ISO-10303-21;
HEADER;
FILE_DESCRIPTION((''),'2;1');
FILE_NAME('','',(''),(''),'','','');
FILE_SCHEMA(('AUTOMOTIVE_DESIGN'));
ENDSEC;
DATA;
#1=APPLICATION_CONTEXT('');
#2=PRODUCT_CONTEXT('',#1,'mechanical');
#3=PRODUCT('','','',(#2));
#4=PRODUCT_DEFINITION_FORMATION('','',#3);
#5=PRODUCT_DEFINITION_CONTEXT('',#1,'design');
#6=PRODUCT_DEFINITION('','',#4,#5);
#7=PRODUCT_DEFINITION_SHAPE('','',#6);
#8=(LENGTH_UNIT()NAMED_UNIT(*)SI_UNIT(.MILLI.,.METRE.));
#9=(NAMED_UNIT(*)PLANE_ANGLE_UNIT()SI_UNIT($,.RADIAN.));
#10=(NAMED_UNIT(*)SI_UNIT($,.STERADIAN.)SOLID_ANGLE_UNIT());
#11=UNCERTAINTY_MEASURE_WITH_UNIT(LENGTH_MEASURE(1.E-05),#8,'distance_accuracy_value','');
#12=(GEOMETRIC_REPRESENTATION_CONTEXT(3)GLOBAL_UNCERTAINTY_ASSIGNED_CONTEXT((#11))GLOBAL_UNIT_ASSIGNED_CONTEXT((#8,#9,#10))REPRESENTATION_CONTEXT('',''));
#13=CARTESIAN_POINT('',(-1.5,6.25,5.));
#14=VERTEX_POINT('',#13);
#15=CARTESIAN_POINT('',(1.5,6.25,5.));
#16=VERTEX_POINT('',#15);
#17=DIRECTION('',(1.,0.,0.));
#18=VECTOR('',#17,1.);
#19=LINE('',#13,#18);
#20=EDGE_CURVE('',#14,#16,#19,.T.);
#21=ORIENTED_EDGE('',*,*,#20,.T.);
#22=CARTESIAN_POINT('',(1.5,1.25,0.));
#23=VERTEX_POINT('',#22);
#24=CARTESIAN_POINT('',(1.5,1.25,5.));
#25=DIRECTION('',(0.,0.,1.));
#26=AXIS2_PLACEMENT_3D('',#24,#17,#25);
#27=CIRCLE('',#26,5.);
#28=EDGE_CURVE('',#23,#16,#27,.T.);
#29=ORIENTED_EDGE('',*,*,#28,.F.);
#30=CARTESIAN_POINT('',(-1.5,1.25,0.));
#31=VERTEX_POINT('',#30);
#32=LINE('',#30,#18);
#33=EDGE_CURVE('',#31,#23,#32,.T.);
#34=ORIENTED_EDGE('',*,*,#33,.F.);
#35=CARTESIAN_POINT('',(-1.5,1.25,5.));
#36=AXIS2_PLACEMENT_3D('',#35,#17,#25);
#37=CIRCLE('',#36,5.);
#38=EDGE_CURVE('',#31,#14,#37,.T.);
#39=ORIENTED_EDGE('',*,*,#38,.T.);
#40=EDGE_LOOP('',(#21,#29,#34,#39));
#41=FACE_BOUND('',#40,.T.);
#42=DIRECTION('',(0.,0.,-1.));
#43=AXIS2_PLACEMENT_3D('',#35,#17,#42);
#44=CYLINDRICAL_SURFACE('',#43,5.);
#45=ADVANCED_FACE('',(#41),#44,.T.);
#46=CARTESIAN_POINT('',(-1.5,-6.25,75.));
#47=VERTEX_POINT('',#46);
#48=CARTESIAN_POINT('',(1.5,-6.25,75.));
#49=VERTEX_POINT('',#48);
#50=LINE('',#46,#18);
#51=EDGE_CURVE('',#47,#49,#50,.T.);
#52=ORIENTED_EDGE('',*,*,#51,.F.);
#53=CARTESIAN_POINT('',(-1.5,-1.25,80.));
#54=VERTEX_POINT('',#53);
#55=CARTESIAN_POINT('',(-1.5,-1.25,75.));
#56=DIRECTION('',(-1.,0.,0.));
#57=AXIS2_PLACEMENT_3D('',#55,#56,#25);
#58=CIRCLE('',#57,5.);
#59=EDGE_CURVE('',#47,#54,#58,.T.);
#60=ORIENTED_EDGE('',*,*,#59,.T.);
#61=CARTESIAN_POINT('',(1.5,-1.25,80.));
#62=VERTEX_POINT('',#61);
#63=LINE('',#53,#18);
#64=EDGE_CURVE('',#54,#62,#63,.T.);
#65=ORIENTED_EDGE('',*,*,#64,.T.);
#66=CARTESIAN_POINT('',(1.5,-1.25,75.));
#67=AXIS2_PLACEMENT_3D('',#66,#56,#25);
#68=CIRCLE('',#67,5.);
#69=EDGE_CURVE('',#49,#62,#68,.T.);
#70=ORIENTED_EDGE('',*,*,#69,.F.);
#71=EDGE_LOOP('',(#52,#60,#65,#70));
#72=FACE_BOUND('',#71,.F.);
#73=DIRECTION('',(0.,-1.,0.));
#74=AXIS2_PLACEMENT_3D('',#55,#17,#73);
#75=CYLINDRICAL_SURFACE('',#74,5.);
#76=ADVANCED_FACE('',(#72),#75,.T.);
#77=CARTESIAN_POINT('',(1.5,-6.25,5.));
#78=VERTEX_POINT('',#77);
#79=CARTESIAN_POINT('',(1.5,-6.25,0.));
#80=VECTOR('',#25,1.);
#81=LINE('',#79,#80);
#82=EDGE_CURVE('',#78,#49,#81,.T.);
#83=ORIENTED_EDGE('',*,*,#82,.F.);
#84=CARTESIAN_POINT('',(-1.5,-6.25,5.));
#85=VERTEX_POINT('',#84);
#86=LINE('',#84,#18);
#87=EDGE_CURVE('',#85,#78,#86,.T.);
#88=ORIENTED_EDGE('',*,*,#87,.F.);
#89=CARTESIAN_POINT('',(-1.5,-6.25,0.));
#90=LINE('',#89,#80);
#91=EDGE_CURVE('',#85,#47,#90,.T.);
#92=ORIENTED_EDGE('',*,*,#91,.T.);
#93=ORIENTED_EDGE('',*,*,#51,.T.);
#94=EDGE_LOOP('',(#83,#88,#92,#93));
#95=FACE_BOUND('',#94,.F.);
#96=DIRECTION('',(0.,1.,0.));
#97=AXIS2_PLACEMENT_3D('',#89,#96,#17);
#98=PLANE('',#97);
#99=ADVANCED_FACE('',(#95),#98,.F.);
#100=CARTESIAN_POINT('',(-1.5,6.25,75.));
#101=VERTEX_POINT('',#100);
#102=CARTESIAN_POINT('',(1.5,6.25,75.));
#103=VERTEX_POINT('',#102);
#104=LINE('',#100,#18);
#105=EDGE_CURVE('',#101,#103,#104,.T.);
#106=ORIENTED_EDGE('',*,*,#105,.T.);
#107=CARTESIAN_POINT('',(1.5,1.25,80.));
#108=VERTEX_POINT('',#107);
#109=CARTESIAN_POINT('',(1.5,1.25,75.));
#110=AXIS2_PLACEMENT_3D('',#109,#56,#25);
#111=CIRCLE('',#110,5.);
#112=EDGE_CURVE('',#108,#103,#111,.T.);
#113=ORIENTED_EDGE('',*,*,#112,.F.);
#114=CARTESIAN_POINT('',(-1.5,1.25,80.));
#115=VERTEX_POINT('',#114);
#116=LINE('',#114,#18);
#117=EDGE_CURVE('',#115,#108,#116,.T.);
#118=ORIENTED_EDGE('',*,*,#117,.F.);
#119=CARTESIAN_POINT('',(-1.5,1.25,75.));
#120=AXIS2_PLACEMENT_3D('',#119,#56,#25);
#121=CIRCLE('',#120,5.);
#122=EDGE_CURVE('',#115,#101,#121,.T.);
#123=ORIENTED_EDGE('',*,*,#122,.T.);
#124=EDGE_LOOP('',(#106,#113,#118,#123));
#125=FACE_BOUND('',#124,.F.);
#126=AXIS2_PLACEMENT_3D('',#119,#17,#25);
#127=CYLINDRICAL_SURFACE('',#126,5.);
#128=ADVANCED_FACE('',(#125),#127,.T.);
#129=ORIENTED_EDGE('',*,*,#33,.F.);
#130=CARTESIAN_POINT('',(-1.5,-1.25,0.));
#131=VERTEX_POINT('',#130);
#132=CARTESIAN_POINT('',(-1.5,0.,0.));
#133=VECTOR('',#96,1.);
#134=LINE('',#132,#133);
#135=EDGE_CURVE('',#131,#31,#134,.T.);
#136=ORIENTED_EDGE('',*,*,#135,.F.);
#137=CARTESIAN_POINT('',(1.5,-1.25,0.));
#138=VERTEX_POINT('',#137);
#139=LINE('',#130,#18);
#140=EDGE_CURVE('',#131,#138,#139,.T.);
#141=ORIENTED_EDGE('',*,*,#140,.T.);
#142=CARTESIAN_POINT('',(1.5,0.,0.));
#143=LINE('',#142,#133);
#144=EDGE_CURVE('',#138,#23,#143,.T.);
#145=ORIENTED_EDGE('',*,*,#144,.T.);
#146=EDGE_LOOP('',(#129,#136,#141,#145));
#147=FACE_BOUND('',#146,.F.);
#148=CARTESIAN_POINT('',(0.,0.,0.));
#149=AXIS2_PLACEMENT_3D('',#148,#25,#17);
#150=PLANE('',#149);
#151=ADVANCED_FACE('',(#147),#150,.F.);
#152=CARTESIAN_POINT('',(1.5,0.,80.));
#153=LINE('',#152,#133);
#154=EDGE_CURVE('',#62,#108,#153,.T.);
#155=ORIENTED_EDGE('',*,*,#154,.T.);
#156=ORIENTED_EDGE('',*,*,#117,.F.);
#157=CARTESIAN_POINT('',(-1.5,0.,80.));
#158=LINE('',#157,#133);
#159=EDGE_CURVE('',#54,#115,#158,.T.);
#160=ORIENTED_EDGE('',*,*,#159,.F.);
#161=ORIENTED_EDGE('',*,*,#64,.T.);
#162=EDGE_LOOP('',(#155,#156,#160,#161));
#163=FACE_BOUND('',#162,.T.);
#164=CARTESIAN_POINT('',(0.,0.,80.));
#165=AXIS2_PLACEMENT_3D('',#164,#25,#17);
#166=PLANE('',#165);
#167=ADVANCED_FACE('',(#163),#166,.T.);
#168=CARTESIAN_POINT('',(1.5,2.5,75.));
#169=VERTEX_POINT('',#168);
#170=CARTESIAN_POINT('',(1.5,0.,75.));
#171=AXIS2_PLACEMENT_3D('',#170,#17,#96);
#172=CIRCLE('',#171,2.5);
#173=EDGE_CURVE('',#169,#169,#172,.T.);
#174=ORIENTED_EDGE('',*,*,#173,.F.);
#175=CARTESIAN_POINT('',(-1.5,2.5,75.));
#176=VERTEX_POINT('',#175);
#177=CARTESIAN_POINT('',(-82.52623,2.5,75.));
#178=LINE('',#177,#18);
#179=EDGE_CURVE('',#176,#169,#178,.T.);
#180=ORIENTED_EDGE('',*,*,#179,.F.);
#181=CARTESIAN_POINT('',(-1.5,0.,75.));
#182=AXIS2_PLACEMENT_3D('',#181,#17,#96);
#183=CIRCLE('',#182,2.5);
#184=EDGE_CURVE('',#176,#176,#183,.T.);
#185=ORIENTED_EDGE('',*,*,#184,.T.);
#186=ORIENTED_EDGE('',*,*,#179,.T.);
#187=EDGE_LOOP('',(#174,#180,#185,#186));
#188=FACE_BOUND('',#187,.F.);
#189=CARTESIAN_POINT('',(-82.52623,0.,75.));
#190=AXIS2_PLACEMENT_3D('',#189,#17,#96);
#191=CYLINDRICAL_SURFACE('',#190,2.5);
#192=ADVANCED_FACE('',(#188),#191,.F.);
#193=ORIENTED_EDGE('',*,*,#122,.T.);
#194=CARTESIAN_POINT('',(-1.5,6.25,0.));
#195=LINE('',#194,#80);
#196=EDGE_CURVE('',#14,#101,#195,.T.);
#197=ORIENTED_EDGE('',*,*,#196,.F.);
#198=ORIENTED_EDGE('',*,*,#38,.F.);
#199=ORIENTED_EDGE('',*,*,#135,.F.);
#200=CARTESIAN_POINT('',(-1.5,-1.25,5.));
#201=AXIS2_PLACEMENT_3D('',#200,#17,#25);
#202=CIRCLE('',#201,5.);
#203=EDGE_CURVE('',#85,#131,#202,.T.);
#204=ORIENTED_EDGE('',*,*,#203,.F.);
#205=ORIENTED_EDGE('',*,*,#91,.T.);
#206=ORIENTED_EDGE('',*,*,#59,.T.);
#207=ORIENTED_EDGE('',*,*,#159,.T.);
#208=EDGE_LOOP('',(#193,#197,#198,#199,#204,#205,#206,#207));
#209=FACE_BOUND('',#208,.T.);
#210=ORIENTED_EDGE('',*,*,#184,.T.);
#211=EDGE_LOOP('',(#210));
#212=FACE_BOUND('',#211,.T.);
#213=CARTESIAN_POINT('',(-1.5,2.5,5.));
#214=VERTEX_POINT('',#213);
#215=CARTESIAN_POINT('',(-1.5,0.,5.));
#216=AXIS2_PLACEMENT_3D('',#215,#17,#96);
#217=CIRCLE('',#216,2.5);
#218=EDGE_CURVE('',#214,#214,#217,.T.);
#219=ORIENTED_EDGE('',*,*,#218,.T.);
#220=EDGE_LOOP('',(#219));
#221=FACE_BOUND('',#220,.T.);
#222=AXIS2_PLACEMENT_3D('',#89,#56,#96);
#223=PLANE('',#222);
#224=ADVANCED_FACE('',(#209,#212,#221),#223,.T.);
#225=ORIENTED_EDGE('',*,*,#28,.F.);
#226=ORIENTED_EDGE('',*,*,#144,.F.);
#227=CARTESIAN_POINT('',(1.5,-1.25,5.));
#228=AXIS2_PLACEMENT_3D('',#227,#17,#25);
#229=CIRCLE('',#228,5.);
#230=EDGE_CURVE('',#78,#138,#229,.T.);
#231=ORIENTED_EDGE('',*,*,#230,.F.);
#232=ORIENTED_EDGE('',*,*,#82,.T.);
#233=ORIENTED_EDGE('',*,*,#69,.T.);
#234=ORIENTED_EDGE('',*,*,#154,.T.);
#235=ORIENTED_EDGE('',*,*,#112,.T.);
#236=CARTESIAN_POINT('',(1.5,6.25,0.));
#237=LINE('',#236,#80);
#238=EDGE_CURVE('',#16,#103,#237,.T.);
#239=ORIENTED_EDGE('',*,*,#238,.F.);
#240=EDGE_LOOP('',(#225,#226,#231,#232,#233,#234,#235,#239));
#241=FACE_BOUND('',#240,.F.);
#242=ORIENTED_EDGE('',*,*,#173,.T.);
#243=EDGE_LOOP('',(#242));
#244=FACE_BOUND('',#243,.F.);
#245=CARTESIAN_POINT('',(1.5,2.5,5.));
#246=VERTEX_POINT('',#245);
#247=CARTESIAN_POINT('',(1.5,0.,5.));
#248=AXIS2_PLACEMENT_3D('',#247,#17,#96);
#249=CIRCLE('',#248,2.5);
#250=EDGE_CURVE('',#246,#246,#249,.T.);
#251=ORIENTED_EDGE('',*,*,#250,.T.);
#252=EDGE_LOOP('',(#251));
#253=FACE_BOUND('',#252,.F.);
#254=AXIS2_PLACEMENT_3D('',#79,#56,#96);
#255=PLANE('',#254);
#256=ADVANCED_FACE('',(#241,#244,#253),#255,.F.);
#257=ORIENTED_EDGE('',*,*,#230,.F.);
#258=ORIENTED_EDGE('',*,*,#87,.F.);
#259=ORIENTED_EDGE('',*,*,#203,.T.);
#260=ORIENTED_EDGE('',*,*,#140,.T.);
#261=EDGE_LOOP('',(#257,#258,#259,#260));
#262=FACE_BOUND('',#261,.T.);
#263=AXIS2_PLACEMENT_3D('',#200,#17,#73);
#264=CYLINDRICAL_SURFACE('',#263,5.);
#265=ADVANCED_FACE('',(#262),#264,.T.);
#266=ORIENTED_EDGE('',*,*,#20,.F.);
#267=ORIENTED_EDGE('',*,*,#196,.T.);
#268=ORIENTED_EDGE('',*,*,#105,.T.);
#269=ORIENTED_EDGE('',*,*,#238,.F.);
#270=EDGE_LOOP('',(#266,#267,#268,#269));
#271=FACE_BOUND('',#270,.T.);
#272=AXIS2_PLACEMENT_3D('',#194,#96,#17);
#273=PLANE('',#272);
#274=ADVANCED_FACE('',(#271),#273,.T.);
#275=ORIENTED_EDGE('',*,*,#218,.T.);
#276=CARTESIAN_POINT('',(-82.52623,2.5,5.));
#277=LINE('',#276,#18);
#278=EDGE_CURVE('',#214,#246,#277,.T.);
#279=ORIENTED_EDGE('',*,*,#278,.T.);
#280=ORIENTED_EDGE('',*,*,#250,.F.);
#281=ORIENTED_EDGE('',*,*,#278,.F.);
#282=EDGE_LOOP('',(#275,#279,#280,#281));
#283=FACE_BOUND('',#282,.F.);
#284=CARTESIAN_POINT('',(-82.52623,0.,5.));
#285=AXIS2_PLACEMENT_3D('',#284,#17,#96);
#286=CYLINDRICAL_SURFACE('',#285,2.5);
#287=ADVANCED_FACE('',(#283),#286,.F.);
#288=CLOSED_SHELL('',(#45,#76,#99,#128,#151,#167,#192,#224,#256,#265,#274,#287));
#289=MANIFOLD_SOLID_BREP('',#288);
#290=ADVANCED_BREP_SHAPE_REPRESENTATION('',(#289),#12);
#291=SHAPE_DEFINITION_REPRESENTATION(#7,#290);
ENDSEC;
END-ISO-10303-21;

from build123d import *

# Parameters (mm, degrees)
F0_W     = 3
F0_H     = 12.5
F1_DEPTH = 80
F3_D     = 5
F4_R     = 5


with BuildPart() as f1:
    # F0 (on Top) → F1 (new body)
    with BuildSketch(Plane.XY):
        Rectangle(F0_W, F0_H)
    extrude(amount=F1_DEPTH)

    # F3 (through all)
    with Locations(Plane(origin=(-1.5, 0, 0), x_dir=(0, -1, 0), z_dir=(-1, 0, 0))):
        with Locations((0, 75), (0, 5)):
            Hole(F3_D / 2)

    # F4
    f4_edges = [f1.edges().sort_by_distance(p)[0] for p in [
        (0, -6.25, 80),
        (0, 6.25, 80),
        (0, 6.25, 0),
        (0, -6.25, 0),
    ]]
    fillet(f4_edges, radius=F4_R)


solid = f1.part
